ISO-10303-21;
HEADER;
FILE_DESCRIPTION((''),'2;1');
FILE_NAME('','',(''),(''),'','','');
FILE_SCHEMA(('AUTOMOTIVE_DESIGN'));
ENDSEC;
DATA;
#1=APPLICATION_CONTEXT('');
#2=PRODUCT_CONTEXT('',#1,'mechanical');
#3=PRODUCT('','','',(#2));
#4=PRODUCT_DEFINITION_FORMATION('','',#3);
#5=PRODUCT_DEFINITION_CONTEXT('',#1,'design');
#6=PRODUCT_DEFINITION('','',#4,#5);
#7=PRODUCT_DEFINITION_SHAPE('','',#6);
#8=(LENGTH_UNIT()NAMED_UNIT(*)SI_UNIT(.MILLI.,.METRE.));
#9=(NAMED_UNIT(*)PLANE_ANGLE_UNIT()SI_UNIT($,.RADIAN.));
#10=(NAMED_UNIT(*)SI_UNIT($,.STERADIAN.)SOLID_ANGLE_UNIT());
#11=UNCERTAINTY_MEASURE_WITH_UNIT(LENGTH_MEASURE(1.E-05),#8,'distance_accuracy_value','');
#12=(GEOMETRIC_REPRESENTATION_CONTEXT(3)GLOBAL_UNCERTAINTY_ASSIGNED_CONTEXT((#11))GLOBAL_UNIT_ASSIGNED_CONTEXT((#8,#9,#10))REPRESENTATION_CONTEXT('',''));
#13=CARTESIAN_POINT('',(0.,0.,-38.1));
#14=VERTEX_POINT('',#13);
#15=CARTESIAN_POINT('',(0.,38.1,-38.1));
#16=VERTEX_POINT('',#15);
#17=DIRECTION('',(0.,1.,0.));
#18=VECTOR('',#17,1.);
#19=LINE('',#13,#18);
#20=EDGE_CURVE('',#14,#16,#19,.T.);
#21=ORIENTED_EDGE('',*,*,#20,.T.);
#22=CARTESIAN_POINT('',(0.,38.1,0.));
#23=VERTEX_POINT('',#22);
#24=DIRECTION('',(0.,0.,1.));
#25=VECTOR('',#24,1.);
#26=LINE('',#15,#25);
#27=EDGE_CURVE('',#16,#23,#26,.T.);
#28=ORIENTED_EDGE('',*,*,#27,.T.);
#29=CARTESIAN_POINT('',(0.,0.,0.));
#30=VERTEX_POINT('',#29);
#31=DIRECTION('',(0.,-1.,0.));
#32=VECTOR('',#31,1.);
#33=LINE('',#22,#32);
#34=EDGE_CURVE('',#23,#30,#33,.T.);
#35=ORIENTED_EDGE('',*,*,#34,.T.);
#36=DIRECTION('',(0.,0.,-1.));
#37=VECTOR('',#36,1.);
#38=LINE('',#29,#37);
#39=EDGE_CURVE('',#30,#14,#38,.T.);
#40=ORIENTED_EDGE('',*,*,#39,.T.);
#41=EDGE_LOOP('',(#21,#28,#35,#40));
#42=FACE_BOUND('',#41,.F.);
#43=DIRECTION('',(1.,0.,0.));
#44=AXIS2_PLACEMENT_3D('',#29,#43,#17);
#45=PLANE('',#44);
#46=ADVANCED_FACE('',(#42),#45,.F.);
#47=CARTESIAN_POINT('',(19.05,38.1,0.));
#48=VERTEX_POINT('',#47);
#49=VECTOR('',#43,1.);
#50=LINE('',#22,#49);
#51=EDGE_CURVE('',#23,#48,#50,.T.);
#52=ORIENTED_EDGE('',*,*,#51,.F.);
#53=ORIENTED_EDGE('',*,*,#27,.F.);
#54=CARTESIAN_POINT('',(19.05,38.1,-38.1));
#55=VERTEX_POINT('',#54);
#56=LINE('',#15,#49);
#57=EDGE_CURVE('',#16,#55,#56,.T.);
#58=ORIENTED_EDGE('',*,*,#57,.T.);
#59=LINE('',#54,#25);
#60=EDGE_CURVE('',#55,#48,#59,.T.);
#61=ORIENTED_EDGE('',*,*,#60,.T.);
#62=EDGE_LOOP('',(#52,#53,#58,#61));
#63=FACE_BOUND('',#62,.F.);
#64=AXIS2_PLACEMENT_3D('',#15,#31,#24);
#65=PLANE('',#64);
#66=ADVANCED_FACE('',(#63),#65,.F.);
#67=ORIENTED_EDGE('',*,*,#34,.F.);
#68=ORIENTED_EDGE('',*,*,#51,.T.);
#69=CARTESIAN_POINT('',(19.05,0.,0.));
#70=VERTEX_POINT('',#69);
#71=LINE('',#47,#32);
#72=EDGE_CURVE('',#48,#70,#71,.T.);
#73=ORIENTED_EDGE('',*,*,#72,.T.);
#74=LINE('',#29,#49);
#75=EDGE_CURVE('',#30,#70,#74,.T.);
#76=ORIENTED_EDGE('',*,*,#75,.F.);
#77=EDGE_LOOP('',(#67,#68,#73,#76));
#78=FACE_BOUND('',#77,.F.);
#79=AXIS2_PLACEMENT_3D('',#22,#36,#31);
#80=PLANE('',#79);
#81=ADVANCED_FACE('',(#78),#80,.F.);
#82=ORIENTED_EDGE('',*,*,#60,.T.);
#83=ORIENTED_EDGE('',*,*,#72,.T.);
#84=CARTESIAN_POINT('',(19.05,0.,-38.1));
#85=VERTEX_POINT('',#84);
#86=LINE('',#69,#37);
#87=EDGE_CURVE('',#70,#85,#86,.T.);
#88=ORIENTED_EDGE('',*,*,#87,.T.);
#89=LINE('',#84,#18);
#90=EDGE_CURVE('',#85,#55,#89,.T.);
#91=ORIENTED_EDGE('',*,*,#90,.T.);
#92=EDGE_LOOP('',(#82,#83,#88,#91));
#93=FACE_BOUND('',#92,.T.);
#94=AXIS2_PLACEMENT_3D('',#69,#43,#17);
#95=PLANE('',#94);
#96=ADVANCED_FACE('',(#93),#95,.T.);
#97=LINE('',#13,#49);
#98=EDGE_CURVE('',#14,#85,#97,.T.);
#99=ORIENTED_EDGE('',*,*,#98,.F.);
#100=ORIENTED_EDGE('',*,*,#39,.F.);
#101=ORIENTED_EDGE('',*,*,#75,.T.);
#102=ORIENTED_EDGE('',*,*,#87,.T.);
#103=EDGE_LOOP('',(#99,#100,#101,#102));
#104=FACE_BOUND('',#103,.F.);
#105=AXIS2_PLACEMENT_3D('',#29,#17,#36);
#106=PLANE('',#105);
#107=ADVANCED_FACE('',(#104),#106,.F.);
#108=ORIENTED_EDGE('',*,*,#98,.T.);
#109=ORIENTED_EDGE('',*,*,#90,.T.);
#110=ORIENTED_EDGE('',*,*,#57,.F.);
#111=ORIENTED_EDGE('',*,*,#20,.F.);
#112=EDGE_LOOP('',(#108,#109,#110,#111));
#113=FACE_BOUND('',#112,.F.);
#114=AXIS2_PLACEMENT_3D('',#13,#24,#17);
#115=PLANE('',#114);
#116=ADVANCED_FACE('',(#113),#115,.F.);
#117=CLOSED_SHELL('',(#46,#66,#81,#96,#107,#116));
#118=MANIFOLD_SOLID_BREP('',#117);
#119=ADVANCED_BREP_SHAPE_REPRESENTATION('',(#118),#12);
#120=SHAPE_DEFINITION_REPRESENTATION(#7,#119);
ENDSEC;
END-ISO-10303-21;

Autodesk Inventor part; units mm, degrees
ref_plane "YZ Plane" through (0, 0, 0) normal (1, 0, 0) x (0, 1, 0)
ref_plane "XZ Plane" through (0, 0, 0) normal (0, 1, 0) x (-1, 0, 0)
ref_plane "XY Plane" through (0, 0, 0) normal (0, 0, 1) x (1, 0, 0)
sketch "Sketch1" plane through (0, 0, 0) normal (1, 0, 0) x (0, 1, 0)
  line L0 (0, 0) -> (0, -38.1)
  line L1 (0, -38.1) -> (38.1, -38.1)
  line L2 (38.1, -38.1) -> (38.1, 0)
  line L3 (38.1, 0) -> (0, 0)
  dimension "d0" = 38.1
  dimension "d1" = 38.1
extrude "Extrusion1" add sketch "Sketch1" along normal blind 19.05
properties part number "CubePart5"
